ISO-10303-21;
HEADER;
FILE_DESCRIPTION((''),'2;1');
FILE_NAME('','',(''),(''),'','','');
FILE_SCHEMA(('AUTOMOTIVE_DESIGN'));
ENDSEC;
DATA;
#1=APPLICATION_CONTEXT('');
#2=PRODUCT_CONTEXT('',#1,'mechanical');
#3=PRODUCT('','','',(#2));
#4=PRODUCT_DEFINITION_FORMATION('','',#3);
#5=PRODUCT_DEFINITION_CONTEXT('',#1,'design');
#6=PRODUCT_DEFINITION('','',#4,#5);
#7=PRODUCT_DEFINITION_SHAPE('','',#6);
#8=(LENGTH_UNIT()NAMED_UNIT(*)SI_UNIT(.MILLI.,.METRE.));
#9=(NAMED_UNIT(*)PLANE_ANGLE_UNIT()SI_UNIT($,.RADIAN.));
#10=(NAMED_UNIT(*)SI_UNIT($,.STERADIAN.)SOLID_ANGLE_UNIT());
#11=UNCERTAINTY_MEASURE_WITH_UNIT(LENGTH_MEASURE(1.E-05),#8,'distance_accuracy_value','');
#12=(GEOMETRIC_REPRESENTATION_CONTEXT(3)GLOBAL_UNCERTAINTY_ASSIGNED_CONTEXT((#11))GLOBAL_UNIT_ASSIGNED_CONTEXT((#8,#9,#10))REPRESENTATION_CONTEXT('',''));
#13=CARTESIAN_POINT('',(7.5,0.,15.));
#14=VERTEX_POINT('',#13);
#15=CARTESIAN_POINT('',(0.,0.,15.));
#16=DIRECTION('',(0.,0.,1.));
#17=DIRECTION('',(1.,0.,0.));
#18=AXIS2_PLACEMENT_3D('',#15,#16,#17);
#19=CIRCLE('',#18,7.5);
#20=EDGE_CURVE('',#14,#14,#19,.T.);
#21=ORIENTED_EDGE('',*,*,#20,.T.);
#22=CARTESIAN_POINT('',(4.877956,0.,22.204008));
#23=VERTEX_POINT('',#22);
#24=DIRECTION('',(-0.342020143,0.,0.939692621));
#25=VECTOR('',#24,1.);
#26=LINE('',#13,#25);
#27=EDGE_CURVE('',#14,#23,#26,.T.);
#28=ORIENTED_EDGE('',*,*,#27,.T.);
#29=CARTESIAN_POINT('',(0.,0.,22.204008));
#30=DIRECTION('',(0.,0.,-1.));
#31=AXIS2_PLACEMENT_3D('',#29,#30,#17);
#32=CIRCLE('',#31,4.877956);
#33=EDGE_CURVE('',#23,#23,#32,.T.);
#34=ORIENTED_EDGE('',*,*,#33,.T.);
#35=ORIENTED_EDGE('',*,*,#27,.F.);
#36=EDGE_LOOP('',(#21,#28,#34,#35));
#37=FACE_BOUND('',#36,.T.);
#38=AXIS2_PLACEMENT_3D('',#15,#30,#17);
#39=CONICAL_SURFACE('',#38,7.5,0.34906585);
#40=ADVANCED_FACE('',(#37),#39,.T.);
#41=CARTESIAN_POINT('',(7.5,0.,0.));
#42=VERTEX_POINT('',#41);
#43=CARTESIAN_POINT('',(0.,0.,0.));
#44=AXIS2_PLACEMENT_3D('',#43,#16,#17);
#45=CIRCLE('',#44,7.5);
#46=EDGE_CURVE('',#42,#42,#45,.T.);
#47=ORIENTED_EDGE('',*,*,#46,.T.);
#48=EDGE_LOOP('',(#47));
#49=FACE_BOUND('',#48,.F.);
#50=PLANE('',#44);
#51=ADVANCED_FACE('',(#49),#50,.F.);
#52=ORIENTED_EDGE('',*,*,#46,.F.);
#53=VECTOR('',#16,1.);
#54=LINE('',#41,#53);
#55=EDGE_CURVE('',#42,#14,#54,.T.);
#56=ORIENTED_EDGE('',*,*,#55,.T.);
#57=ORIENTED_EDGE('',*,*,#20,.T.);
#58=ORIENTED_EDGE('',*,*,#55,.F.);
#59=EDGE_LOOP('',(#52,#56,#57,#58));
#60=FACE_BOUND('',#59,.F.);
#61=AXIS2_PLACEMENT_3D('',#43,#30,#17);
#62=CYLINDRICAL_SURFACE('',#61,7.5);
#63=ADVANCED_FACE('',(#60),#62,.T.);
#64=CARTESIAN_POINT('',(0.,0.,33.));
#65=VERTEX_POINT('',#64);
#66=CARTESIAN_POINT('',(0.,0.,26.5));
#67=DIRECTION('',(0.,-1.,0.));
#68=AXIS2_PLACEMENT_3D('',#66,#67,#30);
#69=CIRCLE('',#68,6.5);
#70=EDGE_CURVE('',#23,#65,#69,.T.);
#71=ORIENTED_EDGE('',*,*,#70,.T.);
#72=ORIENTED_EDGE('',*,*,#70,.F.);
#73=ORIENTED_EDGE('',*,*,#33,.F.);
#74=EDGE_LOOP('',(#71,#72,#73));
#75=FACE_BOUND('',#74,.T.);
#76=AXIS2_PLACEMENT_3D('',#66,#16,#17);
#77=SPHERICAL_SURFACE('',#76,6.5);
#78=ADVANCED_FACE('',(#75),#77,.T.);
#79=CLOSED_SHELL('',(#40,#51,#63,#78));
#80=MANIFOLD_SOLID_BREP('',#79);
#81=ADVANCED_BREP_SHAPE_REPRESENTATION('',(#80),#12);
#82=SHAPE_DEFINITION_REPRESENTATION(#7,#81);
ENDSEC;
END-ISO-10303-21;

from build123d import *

# Parameters (mm, degrees)
F0_R      = 7.5
F1_DEPTH  = 15
F1_FACE_R = 7.5
F2_DEPTH  = 10
F2_TAPER  = 20


with BuildPart() as f1:
    # F0 (on Top) → F1 (new body)
    with BuildSketch(Plane.XY):
        Circle(F0_R)
    extrude(amount=F1_DEPTH)

    # F1_face (on face) → F2 (join)
    with BuildSketch(Plane.XY.offset(15)):
        Circle(F1_FACE_R)
    extrude(amount=F2_DEPTH, taper=F2_TAPER)

    # F3 (on Front) → F4 (revolve)
    with BuildSketch(Plane.XZ):
        with BuildLine():
            Line((0, 33), (0, 20))
            ThreePointArc((0, 20), (6.5, 26.5), (0, 33))
        make_face()
    revolve(axis=Axis((0, 0, 26.5), (0, 0, 1)))


solid = f1.part
